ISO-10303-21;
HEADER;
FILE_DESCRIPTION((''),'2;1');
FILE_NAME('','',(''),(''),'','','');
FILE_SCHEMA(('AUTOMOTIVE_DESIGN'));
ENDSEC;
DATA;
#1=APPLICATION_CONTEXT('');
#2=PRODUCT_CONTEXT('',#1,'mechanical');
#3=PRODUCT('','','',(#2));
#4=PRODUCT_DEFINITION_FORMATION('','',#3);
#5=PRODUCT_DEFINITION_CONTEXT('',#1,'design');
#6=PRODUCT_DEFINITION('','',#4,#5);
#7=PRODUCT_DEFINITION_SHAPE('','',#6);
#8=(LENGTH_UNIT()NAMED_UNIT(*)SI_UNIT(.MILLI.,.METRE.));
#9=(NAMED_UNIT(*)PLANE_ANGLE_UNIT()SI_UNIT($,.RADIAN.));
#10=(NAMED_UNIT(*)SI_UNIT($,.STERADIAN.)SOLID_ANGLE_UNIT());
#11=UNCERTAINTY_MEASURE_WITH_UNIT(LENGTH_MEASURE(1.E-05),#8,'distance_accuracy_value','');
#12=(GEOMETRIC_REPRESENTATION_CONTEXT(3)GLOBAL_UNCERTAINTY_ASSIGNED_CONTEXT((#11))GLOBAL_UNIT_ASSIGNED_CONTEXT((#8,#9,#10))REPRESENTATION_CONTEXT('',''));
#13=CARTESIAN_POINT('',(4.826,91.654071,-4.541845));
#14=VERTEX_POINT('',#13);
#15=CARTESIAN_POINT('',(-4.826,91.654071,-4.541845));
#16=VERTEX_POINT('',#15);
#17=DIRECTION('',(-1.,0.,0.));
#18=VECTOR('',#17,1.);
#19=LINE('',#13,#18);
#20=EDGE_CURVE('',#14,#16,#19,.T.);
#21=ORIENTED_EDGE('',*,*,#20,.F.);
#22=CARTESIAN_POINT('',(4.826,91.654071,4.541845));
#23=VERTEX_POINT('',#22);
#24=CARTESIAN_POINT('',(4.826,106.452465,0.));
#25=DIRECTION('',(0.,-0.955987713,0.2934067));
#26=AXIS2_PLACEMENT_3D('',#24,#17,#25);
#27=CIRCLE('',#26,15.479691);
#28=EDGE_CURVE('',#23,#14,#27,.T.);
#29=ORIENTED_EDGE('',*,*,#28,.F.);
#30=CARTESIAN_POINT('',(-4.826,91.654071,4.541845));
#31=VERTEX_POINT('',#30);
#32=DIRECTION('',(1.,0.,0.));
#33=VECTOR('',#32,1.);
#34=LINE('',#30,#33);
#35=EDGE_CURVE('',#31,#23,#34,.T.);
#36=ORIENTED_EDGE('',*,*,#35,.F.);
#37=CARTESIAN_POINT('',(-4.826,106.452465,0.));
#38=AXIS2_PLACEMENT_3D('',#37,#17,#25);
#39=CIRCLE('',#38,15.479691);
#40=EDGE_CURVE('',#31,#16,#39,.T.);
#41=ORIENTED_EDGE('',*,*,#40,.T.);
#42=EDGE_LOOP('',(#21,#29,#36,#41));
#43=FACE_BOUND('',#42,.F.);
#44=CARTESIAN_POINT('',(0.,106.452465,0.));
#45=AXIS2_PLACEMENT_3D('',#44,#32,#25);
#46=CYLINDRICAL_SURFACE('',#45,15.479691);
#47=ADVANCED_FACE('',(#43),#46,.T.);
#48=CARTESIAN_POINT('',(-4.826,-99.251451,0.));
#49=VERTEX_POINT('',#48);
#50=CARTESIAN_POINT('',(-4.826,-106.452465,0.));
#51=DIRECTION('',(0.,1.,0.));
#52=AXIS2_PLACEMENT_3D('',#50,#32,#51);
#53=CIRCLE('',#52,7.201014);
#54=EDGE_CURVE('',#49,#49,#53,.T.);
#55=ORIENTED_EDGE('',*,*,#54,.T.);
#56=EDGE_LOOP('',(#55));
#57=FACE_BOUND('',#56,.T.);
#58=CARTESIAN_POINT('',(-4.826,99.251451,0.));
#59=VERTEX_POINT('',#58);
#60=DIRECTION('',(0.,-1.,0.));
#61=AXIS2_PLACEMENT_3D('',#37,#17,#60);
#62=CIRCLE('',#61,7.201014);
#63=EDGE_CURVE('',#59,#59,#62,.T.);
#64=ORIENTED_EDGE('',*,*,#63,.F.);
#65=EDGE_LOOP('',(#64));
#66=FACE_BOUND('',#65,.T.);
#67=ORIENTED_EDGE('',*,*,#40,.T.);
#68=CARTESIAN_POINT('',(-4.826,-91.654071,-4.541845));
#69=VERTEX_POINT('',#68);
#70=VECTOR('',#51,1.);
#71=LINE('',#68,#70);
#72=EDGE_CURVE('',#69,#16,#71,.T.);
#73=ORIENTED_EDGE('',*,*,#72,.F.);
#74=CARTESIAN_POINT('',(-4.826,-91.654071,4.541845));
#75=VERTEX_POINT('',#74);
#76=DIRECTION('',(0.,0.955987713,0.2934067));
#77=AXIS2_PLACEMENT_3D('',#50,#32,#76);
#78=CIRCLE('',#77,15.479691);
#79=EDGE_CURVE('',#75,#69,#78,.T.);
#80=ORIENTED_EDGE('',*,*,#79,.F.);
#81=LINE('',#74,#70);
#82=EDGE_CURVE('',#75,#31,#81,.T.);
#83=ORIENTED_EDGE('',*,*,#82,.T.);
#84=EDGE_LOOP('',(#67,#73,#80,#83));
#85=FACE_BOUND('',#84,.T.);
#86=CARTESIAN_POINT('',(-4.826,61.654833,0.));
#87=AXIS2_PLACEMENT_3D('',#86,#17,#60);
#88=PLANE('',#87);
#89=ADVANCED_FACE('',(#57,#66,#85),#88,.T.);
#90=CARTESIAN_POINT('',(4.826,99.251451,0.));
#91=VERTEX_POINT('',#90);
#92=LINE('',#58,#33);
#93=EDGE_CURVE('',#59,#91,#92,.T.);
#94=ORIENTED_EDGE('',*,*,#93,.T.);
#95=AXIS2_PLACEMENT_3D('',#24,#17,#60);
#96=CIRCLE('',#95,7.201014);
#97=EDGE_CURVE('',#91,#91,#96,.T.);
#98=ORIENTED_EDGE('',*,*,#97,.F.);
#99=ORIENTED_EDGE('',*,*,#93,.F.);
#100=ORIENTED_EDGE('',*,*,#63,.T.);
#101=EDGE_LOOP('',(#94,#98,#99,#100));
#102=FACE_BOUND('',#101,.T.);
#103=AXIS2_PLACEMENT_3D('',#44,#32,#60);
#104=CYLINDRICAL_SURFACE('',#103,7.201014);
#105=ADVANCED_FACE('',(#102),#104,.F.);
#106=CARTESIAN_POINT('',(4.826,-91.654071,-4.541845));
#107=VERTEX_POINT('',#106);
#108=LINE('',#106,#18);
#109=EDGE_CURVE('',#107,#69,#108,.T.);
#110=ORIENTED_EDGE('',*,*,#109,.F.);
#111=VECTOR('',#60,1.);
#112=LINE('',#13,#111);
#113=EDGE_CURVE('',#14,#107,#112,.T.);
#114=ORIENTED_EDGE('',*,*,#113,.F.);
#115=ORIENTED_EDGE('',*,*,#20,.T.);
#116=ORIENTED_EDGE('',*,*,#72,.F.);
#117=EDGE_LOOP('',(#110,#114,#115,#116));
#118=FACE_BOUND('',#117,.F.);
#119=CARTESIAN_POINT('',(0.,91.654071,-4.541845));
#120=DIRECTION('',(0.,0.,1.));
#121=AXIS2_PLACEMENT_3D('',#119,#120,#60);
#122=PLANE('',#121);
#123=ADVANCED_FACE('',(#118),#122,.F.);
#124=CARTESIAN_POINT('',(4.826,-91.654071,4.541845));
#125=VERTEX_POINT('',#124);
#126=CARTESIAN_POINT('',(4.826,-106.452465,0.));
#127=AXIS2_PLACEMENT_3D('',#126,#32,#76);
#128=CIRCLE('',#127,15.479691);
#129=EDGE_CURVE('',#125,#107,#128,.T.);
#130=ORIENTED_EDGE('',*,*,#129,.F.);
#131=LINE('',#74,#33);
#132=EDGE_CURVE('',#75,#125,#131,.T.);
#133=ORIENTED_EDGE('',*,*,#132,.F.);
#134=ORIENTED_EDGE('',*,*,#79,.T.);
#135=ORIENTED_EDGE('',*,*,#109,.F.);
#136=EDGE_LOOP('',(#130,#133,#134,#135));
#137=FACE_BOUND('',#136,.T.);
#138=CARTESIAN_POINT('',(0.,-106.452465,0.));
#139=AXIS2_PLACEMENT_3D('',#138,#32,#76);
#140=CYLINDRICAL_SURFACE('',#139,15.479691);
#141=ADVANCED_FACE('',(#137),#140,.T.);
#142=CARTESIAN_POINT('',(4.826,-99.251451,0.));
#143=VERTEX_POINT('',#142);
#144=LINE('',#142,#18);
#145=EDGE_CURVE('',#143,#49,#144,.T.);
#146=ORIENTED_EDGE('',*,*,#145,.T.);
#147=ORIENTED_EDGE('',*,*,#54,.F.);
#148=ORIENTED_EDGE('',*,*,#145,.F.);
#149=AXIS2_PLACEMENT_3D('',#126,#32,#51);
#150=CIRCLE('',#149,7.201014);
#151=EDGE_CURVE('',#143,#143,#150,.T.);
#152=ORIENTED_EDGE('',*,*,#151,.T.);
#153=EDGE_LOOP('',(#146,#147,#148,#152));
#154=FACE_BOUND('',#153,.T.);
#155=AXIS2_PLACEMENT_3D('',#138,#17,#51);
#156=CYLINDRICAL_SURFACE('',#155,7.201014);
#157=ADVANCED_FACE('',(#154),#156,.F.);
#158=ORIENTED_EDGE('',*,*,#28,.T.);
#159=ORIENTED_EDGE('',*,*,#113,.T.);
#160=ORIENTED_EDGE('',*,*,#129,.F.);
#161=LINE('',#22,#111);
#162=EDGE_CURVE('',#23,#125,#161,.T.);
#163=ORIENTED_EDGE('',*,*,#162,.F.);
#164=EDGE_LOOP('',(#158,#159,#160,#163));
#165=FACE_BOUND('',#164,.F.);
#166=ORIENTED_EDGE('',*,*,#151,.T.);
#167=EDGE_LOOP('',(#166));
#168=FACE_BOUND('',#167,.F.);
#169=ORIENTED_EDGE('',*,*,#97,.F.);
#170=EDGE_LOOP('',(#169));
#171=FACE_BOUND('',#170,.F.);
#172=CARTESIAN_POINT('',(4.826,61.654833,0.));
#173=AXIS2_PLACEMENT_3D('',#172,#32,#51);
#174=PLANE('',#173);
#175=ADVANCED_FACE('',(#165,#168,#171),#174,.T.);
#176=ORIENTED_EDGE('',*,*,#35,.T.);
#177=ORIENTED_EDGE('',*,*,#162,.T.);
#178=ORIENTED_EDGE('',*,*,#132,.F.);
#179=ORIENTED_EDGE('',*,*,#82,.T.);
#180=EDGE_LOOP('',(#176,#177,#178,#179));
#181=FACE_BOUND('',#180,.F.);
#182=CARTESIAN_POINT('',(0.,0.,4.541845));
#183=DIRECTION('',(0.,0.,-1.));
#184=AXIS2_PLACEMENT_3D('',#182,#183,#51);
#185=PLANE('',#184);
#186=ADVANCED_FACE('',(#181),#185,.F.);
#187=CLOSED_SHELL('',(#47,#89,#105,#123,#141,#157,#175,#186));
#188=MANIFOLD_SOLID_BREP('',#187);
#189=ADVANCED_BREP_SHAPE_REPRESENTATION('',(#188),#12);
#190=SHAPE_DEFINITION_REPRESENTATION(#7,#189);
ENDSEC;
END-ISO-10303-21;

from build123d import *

# Parameters (mm, degrees)
F0_R     = 7.201014
F1_DEPTH = 4.826


with BuildPart() as f1:
    # F0 (on Right) → F1 (new body)
    with BuildSketch(Plane.YZ):
        with BuildLine():
            Line((0, -4.541845), (0, 4.541845))
            Line((0, 4.541845), (-91.654071, 4.541845))
            ThreePointArc((-91.654071, 4.541845), (-121.932156, 0), (-91.654071, -4.541845))
            Line((-91.654071, -4.541845), (0, -4.541845))
        make_face()
        with Locations((-106.452465, 0)):
            Circle(F0_R, mode=Mode.SUBTRACT)
    extrude(amount=F1_DEPTH)

    # F2: F1 across plane


with BuildPart() as f1_1:
    add(f1.part)
    add(f1.part.mirror(Plane.YZ))

    # F3: F1 across plane


with BuildPart() as f1_2:
    add(f1_1.part)
    add(f1_1.part.mirror(Plane.XZ))


solid = f1_2.part
